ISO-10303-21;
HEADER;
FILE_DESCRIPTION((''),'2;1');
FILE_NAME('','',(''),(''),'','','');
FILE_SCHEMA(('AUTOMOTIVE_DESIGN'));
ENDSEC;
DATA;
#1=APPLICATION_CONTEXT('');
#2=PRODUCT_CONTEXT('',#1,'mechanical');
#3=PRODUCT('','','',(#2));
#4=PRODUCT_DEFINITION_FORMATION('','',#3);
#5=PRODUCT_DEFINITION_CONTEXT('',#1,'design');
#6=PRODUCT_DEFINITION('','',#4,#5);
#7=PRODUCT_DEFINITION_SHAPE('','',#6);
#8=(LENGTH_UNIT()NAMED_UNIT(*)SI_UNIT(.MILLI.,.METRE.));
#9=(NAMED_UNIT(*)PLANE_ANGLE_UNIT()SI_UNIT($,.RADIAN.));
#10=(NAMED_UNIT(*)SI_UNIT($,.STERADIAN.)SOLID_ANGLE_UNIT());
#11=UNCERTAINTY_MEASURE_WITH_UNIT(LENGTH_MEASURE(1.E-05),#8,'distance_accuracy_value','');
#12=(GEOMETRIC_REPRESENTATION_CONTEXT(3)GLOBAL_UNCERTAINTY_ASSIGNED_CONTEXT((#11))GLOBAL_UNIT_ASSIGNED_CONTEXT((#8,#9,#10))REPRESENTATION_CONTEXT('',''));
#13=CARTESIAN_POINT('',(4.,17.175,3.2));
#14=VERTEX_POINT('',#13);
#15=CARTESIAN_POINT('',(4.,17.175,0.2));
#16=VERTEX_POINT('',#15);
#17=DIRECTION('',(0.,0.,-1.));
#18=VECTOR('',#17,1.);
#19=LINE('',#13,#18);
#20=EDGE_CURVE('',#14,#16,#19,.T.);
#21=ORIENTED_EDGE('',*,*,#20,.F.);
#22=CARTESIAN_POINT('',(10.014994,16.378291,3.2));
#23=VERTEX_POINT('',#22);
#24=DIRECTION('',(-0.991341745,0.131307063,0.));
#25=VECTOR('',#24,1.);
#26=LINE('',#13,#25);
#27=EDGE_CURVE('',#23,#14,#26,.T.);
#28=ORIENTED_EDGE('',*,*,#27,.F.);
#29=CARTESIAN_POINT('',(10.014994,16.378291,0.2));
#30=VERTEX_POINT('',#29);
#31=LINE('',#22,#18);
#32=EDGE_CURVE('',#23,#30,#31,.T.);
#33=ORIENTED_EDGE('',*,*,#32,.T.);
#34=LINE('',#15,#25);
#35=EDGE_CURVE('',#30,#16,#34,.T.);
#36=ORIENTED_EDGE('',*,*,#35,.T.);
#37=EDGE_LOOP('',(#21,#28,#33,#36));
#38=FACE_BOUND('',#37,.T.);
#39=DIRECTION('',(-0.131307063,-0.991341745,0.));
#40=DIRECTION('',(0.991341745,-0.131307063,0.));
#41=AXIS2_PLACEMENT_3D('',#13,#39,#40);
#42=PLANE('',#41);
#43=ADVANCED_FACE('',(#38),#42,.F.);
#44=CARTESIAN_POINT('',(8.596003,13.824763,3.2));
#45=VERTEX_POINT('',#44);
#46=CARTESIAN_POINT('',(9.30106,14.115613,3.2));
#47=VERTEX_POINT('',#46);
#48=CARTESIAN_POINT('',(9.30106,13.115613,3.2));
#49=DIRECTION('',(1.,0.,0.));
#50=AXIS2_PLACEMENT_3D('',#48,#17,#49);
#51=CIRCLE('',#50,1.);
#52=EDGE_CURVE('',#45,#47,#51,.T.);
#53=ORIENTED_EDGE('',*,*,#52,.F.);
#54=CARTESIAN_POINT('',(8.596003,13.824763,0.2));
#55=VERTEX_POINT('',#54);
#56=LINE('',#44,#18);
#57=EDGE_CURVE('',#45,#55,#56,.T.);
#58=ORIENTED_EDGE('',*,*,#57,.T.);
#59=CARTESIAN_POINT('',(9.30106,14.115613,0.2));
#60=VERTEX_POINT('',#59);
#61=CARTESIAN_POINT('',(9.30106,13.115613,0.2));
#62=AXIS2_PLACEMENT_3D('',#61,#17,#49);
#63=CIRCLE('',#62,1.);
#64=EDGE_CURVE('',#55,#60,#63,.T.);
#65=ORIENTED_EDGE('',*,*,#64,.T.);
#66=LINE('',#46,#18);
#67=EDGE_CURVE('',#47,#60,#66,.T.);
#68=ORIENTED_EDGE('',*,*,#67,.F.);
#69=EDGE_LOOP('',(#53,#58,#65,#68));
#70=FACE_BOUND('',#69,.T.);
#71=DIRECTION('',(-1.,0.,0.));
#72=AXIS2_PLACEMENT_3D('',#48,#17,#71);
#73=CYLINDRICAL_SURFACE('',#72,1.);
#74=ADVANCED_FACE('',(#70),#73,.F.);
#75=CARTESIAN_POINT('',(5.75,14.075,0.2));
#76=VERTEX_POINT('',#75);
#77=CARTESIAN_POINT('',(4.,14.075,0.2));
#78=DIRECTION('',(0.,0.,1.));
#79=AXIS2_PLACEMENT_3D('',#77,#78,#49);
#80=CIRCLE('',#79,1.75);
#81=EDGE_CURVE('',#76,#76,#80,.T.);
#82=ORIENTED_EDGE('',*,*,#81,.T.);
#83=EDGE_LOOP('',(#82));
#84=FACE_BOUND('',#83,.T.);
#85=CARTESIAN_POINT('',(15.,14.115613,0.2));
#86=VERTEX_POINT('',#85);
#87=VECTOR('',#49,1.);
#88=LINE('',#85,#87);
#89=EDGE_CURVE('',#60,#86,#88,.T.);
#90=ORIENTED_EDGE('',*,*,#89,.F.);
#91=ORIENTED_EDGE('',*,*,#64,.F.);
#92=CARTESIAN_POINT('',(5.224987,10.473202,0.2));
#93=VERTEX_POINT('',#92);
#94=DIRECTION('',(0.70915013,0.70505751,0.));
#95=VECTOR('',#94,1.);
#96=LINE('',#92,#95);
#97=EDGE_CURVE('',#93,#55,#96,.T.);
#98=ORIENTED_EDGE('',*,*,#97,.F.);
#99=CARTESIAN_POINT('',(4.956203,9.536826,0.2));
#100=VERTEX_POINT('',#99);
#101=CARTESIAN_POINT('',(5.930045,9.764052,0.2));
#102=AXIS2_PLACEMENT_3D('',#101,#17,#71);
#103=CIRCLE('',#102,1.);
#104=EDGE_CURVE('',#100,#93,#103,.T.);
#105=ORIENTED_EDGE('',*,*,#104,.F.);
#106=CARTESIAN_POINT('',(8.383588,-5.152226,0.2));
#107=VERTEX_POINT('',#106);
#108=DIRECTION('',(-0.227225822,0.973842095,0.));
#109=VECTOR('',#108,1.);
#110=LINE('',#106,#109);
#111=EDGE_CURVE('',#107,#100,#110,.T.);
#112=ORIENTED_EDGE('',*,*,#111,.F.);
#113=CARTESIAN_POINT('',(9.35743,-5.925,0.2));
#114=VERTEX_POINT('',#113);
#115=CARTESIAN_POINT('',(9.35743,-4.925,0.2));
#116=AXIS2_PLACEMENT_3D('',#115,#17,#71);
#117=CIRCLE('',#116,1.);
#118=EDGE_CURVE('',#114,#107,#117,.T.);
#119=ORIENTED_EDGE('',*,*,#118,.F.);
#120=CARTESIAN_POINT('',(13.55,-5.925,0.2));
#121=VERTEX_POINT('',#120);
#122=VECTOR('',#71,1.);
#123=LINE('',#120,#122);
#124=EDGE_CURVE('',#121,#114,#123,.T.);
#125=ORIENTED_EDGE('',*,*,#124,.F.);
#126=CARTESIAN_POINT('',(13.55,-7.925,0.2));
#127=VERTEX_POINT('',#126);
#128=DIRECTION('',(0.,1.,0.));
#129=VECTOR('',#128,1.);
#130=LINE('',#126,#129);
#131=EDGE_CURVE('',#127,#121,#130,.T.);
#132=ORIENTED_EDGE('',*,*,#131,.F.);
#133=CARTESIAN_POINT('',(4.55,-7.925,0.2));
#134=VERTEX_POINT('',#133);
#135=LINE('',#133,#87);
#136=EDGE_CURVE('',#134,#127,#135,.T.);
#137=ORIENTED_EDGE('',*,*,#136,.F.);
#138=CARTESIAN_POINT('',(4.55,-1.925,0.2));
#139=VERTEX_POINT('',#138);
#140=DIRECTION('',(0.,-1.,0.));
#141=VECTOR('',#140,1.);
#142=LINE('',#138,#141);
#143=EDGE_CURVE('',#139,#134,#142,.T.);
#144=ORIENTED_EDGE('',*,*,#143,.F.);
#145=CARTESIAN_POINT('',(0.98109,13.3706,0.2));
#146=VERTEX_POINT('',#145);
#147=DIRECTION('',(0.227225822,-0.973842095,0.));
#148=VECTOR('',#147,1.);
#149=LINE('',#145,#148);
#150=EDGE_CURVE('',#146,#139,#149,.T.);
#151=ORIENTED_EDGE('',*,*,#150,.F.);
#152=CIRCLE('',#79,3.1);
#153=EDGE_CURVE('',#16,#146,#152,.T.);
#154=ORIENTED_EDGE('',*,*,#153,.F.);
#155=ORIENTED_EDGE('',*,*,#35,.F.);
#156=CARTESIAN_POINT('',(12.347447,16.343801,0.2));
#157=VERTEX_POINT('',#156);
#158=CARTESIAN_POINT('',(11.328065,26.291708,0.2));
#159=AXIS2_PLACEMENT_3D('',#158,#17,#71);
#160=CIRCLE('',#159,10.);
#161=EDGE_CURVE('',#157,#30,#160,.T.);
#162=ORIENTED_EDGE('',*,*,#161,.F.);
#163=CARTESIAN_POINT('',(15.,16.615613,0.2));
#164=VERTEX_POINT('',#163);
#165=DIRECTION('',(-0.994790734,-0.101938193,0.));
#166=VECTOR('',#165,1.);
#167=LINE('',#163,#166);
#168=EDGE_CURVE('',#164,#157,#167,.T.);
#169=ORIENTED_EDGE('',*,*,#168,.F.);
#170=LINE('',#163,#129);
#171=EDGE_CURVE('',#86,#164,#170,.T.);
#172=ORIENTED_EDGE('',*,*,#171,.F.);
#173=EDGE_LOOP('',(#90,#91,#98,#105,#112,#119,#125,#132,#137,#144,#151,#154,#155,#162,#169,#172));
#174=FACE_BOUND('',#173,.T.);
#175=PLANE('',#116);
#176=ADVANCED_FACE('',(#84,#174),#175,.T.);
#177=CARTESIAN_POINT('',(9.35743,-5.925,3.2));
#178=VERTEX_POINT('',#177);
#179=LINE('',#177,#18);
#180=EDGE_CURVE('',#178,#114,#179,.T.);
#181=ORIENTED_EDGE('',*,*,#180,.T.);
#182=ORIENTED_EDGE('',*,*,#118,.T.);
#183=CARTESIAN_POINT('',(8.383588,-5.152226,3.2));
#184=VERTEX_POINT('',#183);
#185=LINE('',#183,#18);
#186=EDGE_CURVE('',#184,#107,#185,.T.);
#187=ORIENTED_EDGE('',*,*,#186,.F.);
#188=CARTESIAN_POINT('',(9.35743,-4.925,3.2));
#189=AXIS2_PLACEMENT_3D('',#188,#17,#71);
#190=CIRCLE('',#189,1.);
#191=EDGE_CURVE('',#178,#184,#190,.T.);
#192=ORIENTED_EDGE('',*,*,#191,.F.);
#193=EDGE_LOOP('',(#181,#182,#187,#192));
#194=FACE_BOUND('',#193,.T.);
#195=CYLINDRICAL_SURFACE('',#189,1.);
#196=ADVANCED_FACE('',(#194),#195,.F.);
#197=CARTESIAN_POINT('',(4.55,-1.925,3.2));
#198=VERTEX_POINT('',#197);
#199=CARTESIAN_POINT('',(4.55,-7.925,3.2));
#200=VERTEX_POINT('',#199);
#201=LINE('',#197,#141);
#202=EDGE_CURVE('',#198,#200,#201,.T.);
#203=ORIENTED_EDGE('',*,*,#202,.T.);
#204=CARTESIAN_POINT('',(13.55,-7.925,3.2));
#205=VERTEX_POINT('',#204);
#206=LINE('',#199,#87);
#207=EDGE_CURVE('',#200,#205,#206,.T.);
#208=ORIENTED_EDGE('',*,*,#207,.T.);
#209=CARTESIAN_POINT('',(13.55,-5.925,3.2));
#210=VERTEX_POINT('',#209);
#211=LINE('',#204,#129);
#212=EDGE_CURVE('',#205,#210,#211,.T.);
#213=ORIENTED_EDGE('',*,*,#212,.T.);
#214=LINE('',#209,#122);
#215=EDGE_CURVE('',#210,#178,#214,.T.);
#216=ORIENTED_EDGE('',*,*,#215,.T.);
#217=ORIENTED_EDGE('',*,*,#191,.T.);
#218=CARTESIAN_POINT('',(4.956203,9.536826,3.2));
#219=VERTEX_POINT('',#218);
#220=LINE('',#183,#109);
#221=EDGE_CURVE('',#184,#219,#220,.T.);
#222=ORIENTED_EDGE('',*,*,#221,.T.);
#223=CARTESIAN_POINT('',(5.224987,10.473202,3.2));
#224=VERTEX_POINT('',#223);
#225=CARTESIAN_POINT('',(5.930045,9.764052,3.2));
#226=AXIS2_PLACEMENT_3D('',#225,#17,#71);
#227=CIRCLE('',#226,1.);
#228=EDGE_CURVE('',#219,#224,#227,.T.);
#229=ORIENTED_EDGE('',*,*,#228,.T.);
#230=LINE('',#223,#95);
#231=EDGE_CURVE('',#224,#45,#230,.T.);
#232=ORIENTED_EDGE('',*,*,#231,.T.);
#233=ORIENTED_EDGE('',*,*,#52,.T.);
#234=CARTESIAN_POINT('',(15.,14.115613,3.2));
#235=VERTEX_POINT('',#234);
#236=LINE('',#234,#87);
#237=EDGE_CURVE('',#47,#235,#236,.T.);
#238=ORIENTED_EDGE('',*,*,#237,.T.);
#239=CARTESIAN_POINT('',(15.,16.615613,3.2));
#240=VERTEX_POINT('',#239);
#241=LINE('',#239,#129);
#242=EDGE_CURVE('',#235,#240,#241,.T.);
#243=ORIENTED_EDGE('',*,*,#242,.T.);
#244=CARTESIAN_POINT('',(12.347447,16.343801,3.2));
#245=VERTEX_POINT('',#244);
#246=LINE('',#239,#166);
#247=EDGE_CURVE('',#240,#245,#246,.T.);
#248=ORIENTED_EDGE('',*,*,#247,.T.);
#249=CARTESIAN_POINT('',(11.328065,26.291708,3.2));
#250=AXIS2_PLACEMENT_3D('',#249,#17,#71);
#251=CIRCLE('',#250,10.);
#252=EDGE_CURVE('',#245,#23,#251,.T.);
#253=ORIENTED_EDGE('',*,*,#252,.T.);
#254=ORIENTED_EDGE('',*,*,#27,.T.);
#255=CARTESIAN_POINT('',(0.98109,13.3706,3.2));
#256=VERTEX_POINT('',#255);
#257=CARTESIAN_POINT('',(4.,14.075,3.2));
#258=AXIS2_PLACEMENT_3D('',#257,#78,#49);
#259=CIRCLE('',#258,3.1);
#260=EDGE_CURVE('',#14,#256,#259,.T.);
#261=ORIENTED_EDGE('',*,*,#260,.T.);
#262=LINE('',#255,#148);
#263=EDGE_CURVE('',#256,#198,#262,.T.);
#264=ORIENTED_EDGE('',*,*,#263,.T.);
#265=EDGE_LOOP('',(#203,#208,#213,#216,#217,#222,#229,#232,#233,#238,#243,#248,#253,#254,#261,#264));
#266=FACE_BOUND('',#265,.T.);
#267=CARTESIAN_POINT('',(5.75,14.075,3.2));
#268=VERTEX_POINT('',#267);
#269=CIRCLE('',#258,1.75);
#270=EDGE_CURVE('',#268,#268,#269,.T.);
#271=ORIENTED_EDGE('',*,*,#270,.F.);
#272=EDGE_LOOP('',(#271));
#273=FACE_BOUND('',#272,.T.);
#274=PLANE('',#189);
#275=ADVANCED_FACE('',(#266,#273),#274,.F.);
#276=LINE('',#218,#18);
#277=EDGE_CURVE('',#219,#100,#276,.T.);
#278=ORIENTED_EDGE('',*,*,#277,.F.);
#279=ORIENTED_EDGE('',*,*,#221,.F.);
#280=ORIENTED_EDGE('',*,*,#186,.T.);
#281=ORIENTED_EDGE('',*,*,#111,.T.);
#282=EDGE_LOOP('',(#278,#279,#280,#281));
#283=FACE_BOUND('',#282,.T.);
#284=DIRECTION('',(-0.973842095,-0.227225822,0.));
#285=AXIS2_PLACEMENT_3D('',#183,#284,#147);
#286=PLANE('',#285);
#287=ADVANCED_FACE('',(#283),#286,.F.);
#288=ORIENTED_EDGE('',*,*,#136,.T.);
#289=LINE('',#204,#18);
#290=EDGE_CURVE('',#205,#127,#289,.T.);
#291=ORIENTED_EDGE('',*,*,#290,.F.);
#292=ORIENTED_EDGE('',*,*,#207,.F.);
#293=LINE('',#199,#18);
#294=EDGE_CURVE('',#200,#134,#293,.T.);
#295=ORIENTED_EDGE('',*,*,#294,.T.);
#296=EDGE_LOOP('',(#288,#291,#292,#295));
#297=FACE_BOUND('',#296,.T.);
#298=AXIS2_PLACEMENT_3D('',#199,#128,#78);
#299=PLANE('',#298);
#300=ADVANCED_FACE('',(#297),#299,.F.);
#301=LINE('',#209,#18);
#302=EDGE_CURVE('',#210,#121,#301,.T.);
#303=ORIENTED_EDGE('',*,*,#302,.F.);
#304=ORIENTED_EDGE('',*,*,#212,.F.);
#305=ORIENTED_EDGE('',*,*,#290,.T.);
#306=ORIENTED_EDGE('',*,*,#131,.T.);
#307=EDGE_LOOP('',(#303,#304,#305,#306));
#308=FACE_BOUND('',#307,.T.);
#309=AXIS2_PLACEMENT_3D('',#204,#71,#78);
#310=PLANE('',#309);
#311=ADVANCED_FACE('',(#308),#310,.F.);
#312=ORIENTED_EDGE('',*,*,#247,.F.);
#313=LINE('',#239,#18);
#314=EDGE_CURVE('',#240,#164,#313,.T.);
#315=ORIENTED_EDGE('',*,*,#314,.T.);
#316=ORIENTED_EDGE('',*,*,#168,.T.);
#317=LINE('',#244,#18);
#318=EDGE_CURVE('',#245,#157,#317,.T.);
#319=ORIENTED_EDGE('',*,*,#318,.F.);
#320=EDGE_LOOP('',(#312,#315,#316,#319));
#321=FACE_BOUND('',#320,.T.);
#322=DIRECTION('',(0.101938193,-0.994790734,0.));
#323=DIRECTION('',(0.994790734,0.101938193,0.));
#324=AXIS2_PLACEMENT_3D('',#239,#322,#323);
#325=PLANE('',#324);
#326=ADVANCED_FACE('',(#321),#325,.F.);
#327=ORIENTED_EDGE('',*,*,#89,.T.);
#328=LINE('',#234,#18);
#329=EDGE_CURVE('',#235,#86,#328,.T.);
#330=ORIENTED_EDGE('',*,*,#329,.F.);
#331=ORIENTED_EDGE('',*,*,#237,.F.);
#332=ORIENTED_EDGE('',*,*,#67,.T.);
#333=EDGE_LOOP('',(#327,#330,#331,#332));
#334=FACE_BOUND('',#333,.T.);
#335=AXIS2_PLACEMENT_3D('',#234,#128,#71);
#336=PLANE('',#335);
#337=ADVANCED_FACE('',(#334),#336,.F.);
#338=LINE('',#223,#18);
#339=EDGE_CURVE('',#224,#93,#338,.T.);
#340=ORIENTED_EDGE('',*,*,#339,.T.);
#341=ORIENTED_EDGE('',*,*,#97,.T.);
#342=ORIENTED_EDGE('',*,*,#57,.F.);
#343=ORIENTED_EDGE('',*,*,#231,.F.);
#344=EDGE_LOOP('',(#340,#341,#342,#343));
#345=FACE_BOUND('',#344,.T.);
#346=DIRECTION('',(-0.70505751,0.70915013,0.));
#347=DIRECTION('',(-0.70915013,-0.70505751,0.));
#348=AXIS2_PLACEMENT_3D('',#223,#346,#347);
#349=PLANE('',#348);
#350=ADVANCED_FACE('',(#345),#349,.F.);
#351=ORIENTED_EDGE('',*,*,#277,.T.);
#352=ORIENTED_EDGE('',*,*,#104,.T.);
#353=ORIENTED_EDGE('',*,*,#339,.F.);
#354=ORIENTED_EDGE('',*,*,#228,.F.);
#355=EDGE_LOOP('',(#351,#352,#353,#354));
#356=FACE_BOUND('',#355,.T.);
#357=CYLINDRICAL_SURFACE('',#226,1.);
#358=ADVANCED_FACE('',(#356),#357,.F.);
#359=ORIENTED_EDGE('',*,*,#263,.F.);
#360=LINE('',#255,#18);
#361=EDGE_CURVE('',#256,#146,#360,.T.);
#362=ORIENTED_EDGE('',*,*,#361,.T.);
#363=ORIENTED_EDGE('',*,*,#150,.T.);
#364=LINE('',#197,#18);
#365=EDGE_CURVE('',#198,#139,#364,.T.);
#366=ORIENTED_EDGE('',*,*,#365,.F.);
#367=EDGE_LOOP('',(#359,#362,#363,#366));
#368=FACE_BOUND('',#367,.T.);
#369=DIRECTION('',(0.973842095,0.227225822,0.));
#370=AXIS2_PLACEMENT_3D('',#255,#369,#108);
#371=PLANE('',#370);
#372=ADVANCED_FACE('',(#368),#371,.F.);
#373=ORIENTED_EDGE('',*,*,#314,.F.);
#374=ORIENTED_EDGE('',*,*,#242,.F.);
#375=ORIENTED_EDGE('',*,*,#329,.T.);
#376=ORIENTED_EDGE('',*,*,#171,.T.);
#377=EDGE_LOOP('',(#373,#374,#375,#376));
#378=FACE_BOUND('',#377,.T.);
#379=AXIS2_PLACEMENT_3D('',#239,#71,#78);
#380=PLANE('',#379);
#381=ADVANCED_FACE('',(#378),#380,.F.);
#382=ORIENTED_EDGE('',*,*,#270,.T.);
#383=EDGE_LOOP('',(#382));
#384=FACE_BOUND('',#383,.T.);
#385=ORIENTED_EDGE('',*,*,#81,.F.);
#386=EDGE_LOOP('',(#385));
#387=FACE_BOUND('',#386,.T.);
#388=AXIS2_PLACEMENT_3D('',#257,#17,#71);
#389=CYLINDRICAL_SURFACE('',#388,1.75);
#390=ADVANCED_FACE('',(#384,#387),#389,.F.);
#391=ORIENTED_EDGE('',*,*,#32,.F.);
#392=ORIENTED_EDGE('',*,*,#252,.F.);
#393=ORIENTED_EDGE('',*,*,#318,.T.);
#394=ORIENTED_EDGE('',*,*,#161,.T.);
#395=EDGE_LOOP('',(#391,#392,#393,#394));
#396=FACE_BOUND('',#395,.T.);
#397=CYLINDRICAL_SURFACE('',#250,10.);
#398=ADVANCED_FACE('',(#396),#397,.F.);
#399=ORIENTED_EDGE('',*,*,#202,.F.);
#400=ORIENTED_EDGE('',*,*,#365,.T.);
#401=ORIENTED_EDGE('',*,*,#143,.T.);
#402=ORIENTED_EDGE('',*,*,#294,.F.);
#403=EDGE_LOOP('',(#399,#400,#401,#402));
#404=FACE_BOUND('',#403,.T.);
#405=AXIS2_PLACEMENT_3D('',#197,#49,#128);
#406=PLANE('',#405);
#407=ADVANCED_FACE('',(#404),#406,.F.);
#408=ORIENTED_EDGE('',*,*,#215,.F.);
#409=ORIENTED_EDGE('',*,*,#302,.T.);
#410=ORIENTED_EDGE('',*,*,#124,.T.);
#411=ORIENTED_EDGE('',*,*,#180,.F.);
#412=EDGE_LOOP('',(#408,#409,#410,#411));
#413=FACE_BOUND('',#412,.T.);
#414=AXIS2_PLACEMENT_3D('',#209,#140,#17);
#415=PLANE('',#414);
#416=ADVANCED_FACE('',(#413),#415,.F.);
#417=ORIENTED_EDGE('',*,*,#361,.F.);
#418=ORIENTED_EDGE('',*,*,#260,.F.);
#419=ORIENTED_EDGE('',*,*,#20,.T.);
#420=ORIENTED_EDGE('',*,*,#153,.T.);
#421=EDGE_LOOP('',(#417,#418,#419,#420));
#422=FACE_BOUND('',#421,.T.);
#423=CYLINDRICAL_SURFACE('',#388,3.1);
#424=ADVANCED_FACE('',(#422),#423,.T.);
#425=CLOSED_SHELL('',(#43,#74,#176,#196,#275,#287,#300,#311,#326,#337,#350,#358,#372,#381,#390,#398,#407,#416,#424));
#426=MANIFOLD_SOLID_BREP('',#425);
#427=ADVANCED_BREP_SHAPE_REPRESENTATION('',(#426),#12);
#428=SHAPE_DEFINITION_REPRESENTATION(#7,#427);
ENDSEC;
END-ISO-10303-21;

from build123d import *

# Parameters (mm, degrees)
BOSS_EXTRU_1_START = 0.2
ESQUISSE1_R        = 1.75
BOSS_EXTRU_1_DEPTH = 3


with BuildPart() as part:
    # Esquisse1 → Boss.-Extru.1 (new body)
    with BuildSketch(Plane.XY.offset(BOSS_EXTRU_1_START)):
        with BuildLine():
            Line((0.981089506, 13.370599952), (4.55, -1.925))
            Line((4.55, -1.925), (4.55, -7.925))
            Line((4.55, -7.925), (13.55, -7.925))
            Line((13.55, -7.925), (13.55, -5.925))
            Line((13.55, -5.925), (9.357429757, -5.925))
            ThreePointArc((9.357429757, -5.925), (8.735829332, -5.708334482), (8.383587662, -5.152225822))
            Line((8.383587662, -5.152225822), (4.956202513, 9.536826262))
            ThreePointArc((4.956202513, 9.536826262), (4.968859947, 10.039957952), (5.224987097, 10.473202214))
            Line((5.224987097, 10.473202214), (8.596002843, 13.824763284))
            ThreePointArc((8.596002843, 13.824763284), (8.91971414, 14.040045447), (9.301060354, 14.115613154))
            Line((9.301060354, 14.115613154), (15, 14.115613154))
            Line((15, 14.115613154), (15, 16.615613154))
            Line((15, 16.615613154), (12.347446948, 16.343800746))
            ThreePointArc((12.347446948, 16.343800746), (11.180211538, 16.29280118), (10.014994386, 16.378290639))
            Line((10.014994386, 16.378290639), (4, 17.175))
            ThreePointArc((4, 17.175), (1.571663105, 16.001961319), (0.981089506, 13.370599952))
        make_face()
        with Locations((4, 14.075)):
            Circle(ESQUISSE1_R, mode=Mode.SUBTRACT)
    extrude(amount=BOSS_EXTRU_1_DEPTH)


solid = part.part
